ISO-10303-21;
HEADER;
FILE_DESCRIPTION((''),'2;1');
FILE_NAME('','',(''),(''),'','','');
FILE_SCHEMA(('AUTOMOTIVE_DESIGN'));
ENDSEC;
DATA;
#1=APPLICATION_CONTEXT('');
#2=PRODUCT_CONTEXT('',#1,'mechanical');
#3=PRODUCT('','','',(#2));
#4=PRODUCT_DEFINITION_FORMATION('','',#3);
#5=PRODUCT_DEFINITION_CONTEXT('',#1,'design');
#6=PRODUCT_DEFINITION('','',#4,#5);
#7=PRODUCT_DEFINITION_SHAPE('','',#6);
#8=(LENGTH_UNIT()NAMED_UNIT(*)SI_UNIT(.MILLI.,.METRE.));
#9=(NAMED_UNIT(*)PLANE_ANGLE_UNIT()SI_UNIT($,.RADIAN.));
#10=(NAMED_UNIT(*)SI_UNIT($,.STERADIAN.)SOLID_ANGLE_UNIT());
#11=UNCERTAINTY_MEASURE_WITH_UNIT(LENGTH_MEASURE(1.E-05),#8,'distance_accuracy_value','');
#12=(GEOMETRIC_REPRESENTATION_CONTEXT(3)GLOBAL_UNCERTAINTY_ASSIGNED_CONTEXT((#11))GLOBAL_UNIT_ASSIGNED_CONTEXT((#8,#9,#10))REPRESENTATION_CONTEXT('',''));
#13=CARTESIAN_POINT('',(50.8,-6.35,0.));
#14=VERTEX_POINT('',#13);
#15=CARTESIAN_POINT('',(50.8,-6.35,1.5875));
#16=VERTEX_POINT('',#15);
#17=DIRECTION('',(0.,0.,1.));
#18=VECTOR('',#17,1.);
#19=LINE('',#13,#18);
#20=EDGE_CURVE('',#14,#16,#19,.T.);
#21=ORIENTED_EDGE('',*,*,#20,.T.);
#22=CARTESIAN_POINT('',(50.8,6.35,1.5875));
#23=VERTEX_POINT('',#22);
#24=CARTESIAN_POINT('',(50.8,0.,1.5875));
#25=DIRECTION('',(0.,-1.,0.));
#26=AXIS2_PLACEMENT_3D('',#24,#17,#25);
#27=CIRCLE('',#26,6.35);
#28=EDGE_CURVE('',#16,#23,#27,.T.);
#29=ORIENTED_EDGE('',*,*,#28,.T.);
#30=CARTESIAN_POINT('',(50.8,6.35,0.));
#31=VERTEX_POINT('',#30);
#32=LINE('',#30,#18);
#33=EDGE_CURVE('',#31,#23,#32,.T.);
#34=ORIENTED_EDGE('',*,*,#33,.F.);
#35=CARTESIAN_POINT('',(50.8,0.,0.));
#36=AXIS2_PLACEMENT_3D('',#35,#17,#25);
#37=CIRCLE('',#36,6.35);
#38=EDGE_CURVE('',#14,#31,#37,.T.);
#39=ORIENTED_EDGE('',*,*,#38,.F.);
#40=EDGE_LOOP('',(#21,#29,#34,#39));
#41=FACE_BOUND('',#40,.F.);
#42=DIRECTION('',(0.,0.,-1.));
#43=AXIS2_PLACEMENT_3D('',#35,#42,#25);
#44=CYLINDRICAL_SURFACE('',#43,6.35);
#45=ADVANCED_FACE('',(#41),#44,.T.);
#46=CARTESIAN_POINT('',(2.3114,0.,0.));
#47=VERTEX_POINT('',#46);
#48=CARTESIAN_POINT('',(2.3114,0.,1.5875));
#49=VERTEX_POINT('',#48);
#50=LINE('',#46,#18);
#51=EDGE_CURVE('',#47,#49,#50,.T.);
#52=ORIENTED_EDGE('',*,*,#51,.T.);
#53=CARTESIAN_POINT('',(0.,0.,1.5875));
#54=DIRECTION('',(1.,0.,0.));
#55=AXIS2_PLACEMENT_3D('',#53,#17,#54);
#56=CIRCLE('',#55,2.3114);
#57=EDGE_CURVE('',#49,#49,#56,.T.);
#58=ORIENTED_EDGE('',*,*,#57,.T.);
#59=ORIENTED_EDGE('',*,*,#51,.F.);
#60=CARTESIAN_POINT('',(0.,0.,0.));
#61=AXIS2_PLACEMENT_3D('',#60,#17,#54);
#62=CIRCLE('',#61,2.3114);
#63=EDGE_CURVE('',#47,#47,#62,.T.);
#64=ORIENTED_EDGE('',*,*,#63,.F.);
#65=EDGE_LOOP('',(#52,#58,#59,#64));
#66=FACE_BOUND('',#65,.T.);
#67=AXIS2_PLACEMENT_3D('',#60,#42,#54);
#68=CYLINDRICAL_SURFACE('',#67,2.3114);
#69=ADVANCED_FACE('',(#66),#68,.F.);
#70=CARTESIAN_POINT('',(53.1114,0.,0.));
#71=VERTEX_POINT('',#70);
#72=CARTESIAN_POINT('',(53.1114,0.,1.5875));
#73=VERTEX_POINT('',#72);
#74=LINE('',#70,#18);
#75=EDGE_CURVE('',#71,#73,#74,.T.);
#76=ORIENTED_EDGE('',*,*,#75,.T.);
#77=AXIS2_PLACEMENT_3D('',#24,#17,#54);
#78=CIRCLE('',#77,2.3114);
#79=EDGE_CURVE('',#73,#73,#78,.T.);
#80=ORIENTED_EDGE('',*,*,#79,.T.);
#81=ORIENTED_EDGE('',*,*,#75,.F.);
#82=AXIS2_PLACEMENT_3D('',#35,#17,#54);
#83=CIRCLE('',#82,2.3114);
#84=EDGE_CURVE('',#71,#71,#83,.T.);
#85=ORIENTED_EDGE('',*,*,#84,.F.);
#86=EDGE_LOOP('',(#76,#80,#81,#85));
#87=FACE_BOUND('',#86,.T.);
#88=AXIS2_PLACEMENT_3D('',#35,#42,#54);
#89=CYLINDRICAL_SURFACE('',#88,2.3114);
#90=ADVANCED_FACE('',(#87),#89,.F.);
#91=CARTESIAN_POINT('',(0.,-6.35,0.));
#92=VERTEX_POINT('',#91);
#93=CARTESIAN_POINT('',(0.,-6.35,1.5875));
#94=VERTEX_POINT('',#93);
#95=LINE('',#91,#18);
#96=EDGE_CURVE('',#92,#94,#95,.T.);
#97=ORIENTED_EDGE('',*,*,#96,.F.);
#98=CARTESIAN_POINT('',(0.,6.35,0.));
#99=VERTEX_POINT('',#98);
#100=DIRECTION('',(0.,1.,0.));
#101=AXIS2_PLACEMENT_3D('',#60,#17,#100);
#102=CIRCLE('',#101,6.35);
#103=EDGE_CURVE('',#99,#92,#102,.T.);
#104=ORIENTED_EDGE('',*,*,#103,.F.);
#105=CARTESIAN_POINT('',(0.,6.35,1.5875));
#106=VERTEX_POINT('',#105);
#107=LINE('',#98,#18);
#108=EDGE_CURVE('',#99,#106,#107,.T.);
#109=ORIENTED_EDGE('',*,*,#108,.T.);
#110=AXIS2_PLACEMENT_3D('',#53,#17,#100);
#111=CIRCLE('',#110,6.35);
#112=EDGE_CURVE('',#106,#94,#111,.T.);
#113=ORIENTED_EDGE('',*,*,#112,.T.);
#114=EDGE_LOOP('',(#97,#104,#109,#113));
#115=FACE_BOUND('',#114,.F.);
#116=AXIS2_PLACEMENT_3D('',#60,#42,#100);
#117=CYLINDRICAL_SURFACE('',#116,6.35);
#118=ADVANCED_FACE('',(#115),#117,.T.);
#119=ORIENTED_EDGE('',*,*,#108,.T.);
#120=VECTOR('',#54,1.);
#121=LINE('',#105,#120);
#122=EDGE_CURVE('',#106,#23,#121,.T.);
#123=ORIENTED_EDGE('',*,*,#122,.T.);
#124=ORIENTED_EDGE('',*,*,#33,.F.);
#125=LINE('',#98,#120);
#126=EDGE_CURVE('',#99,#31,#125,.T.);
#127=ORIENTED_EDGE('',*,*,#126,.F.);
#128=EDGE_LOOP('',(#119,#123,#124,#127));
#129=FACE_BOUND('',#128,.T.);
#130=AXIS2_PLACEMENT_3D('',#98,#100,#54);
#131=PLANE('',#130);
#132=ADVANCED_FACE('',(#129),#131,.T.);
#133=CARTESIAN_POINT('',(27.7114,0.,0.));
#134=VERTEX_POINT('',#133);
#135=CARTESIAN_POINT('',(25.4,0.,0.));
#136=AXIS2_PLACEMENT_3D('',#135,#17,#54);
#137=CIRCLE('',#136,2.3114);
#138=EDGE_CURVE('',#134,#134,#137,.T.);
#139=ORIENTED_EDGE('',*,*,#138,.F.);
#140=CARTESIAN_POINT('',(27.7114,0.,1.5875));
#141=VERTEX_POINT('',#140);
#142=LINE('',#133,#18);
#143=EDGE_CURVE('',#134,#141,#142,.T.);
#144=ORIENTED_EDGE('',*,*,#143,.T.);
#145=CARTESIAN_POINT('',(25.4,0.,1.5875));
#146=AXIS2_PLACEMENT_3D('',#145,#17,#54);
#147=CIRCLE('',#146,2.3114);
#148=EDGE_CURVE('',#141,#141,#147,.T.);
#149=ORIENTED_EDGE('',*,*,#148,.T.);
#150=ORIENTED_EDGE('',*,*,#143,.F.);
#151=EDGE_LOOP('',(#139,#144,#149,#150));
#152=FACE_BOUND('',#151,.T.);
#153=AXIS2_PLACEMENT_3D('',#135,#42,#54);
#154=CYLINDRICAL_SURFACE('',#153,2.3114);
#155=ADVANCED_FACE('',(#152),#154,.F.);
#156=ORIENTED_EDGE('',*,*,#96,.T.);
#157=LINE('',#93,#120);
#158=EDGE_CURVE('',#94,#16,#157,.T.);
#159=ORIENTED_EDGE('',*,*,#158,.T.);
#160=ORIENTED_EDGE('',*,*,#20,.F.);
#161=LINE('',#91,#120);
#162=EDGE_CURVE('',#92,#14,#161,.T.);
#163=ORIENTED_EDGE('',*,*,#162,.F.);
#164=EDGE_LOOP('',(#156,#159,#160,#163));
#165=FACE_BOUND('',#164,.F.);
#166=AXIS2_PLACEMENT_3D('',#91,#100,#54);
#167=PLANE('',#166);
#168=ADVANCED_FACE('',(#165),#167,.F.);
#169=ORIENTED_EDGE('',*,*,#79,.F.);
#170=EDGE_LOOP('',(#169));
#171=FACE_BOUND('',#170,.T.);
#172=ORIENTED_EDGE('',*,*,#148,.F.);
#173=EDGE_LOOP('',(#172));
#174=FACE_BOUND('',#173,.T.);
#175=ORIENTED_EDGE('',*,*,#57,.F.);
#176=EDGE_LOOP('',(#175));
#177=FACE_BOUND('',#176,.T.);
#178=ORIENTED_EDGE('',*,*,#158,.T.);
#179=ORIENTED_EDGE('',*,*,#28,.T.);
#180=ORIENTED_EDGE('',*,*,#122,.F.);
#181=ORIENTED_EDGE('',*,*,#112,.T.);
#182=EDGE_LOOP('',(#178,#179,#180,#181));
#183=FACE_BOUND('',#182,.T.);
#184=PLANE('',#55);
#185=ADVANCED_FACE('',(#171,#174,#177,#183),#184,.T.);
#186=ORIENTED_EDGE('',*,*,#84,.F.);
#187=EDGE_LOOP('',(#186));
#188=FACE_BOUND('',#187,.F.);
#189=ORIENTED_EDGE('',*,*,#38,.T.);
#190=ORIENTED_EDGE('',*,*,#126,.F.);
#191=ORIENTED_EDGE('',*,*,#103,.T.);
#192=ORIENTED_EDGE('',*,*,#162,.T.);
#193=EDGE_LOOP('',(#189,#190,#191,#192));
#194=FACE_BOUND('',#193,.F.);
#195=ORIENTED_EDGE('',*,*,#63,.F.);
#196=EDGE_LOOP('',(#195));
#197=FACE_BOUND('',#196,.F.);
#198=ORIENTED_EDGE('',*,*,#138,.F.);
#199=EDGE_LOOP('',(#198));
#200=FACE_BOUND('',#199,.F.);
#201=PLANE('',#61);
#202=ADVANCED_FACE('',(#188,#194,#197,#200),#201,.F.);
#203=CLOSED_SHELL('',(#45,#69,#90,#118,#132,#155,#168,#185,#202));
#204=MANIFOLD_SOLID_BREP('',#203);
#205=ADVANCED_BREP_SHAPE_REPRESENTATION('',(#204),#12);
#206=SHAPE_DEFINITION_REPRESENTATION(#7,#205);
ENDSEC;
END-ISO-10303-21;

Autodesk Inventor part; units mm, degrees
ref_plane "YZ Plane" through (0, 0, 0) normal (1, 0, 0) x (0, 1, 0)
ref_plane "XZ Plane" through (0, 0, 0) normal (0, 1, 0) x (-1, 0, 0)
ref_plane "XY Plane" through (0, 0, 0) normal (0, 0, 1) x (1, 0, 0)
sketch "Sketch1" plane through (0, 0, 0) normal (0, 0, 1) x (1, 0, 0)
  circle A0 centre (0, 0) radius 2.3114
  circle A1 centre (25.4, 0) radius 2.3114
  circle A2 centre (50.8, 0) radius 2.3114
  arc A3 (0, 6.35) -> (0, -6.35) centre (0, 0) ccw
  arc A4 (50.8, -6.35) -> (50.8, 6.35) centre (50.8, 0) ccw
  line L0 (0, 6.35) -> (50.8, 6.35)
  line L1 (0, -6.35) -> (50.8, -6.35)
  dimension "d0" = 4.6228
  dimension "d1" = 4.6228
  dimension "d2" = 4.6228
  dimension "d3" = 12.7
  dimension "d5" = 12.7
extrude "Extrusion1" add sketch "Sketch1" along normal blind 1.5875
properties part number "Joint Gusset" material "Acetal Resin, White"
